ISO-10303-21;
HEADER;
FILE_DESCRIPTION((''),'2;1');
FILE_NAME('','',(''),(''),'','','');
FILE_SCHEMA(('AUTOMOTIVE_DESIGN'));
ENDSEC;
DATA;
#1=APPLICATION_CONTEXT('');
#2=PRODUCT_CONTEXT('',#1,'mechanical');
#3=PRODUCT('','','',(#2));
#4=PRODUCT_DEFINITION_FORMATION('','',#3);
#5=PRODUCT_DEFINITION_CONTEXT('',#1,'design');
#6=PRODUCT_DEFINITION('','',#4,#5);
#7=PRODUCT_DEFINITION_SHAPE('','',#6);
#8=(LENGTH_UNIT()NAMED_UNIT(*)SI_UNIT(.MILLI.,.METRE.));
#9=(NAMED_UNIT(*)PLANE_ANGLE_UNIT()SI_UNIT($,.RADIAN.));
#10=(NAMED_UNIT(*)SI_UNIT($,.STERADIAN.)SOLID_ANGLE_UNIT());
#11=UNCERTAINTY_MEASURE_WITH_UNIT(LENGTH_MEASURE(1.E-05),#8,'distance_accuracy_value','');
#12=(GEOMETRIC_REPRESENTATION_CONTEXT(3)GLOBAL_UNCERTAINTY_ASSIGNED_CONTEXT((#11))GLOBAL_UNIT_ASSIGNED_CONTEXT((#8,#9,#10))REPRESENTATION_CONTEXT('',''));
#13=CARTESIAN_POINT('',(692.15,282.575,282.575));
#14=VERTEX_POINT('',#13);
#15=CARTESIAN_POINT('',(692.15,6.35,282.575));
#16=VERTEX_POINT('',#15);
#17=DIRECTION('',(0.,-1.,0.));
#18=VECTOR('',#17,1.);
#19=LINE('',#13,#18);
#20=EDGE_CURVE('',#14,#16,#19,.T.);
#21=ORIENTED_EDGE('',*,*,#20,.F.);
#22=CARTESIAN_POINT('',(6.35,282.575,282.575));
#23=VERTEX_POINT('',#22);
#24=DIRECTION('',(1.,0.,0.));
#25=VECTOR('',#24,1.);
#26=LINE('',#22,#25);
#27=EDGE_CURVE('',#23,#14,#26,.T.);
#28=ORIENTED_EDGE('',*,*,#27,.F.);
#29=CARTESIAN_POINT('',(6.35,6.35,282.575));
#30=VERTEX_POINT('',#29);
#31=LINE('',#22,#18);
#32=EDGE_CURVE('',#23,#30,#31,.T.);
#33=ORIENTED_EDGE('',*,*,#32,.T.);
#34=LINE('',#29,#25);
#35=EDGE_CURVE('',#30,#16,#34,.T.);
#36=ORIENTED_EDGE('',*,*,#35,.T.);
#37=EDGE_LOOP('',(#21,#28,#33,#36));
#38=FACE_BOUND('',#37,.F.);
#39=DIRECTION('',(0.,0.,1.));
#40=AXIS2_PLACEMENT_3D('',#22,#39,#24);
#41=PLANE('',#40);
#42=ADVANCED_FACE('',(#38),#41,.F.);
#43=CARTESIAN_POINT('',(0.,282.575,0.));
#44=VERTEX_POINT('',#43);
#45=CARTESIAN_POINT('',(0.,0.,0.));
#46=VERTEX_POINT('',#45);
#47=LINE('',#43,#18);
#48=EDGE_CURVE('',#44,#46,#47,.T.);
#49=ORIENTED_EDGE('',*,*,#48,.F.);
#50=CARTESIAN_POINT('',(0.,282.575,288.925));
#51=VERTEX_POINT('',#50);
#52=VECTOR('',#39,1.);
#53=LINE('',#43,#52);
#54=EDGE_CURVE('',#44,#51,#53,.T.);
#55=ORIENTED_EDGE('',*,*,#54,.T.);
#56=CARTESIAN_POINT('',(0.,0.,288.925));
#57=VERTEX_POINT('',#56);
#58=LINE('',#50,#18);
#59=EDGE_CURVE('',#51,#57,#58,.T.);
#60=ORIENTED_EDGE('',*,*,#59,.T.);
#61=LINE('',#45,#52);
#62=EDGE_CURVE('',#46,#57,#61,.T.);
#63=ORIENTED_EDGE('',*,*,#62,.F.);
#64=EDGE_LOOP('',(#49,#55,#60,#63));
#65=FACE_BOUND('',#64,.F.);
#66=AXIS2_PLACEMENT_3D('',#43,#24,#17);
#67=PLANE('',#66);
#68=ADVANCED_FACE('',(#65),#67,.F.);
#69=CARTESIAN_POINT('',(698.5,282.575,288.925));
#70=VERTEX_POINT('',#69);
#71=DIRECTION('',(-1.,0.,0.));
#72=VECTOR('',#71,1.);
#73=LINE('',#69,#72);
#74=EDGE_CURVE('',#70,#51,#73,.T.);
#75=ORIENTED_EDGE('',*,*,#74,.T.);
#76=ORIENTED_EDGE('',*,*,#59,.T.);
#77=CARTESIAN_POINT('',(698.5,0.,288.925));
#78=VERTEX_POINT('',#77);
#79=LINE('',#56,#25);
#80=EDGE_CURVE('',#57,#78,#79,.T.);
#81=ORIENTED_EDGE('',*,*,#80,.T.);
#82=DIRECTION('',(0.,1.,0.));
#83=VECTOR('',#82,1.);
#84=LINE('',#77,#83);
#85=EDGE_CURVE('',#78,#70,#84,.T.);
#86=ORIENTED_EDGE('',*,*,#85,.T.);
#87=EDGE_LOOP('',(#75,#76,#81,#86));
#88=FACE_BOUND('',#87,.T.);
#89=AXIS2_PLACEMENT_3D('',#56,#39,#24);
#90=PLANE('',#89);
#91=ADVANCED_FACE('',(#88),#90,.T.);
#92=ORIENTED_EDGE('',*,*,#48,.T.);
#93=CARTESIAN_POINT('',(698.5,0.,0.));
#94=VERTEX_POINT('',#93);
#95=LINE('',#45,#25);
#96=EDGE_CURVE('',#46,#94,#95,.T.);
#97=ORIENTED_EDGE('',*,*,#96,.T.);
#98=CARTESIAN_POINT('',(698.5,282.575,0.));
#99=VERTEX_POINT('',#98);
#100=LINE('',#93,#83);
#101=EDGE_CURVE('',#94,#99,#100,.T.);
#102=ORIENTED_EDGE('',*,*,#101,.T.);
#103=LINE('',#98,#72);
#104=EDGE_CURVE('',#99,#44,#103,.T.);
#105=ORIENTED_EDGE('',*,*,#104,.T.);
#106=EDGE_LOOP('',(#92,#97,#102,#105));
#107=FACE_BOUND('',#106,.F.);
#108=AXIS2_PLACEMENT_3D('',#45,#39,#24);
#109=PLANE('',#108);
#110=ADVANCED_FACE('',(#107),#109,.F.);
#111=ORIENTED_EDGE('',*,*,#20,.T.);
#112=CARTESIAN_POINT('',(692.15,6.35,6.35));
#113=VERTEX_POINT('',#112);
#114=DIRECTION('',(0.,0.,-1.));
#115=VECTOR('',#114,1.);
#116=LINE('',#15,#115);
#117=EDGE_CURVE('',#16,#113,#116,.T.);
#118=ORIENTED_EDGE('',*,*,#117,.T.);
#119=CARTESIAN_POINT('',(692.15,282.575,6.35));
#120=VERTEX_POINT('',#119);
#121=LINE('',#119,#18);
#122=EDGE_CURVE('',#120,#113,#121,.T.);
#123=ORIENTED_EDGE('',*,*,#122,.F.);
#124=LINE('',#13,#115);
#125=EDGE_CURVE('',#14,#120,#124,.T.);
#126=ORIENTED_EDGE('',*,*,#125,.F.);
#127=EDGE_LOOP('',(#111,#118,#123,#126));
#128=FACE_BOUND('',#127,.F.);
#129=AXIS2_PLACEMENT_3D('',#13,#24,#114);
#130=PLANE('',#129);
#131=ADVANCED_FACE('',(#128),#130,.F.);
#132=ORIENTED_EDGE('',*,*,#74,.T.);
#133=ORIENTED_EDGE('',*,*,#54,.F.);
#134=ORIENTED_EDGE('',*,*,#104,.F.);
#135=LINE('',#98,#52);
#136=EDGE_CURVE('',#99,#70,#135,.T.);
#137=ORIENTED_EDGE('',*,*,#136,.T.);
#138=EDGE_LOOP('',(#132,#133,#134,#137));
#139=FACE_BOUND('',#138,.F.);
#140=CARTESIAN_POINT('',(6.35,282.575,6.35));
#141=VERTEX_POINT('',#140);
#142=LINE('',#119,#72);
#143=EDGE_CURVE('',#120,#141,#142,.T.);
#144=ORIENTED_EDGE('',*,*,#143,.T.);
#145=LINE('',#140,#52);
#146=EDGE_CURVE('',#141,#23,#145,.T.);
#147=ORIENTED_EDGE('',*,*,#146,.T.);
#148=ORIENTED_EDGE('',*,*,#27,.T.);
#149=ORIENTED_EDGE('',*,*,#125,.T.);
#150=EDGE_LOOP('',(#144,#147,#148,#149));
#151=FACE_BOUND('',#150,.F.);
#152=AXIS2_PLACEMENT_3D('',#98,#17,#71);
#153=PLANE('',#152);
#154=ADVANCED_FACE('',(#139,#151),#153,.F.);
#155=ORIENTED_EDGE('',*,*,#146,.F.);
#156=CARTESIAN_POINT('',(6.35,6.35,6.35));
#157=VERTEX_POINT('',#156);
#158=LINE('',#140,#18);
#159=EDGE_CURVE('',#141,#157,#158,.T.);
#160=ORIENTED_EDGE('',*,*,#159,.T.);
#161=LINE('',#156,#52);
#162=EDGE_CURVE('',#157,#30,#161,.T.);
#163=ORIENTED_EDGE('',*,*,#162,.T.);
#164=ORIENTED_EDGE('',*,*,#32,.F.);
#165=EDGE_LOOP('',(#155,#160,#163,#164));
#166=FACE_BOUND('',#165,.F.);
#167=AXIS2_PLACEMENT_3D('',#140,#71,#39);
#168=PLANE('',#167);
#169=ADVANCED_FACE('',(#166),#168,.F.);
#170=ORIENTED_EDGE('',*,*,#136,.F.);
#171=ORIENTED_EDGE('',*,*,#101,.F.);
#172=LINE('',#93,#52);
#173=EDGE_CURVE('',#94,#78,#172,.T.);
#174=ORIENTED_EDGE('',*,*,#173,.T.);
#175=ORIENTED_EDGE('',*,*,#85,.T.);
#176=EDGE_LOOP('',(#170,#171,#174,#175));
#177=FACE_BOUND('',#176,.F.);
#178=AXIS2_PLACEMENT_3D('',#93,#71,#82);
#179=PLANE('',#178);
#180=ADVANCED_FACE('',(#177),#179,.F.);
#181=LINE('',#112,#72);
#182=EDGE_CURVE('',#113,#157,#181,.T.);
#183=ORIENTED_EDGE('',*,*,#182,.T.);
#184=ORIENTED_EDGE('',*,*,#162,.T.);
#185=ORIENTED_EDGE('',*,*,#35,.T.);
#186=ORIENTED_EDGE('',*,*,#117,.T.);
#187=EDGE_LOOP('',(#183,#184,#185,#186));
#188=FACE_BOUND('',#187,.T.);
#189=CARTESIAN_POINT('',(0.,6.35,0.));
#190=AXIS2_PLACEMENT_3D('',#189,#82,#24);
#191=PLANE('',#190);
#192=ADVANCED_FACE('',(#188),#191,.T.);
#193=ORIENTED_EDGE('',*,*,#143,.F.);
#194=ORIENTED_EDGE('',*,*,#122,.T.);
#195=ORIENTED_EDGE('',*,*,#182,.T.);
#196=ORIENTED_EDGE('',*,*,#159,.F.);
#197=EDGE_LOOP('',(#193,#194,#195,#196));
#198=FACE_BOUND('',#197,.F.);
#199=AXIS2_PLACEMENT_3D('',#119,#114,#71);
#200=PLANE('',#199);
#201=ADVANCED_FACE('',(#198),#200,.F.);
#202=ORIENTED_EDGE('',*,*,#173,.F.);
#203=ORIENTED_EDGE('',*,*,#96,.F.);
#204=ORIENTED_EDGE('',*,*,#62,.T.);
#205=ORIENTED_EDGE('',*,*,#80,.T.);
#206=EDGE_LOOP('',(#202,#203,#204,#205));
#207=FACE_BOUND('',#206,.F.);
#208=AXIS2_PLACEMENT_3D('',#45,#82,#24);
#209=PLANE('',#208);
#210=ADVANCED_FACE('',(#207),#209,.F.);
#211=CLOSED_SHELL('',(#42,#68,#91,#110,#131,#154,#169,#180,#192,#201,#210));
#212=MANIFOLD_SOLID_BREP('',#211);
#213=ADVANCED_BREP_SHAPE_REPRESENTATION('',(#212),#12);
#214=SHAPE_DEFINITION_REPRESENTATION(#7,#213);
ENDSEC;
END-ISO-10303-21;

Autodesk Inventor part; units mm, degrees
ref_plane "YZ Plane" through (0, 0, 0) normal (1, 0, 0) x (0, 1, 0)
ref_plane "XZ Plane" through (0, 0, 0) normal (0, 1, 0) x (-1, 0, 0)
ref_plane "XY Plane" through (0, 0, 0) normal (0, 0, 1) x (1, 0, 0)
sketch "Sketch1" plane through (0, 0, 0) normal (0, 0, 1) x (1, 0, 0)
  line L0 (0, 0) -> (698.5, 0)
  line L1 (698.5, 0) -> (698.5, 282.575)
  line L2 (698.5, 282.575) -> (0, 282.575)
  line L3 (0, 282.575) -> (0, 0)
  dimension "d0" = 698.5
  dimension "d1" = 282.575
extrude "Extrusion1" add sketch "Sketch1" along normal blind 288.925
sketch "Sketch2" plane through (0, 282.575, 0) normal (0, 1, 0) x (1, 0, 0)
  line L0 (0, -288.925) -> (698.5, -288.925) projected
  line L1 (0, 0) -> (0, -288.925) projected
  line L2 (6.35, -282.575) -> (692.15, -282.575)
  line L3 (692.15, -282.575) -> (692.15, -6.35)
  line L4 (692.15, -6.35) -> (6.35, -6.35)
  line L5 (6.35, -6.35) -> (6.35, -282.575)
  dimension "d4" = 6.35
  dimension "d5" = 6.35
  dimension "d6" = 685.8
  dimension "d7" = 276.225
extrude "Extrusion2" cut sketch "Sketch2" against normal blind 276.225
sketch "Sketch3" plane through (0, 0, 288.925) normal (0, 0, 1) x (1, 0, 0)
  line L0 (0, 0) -> (0, 282.575) projected
  line L1 (698.5, 0) -> (0, 0) projected
  line L2 (698.5, 282.575) -> (698.5, 0) projected
  line L3 (0, 282.575) -> (698.5, 282.575) projected
properties part number "medim Battery Box Pastic 2"
